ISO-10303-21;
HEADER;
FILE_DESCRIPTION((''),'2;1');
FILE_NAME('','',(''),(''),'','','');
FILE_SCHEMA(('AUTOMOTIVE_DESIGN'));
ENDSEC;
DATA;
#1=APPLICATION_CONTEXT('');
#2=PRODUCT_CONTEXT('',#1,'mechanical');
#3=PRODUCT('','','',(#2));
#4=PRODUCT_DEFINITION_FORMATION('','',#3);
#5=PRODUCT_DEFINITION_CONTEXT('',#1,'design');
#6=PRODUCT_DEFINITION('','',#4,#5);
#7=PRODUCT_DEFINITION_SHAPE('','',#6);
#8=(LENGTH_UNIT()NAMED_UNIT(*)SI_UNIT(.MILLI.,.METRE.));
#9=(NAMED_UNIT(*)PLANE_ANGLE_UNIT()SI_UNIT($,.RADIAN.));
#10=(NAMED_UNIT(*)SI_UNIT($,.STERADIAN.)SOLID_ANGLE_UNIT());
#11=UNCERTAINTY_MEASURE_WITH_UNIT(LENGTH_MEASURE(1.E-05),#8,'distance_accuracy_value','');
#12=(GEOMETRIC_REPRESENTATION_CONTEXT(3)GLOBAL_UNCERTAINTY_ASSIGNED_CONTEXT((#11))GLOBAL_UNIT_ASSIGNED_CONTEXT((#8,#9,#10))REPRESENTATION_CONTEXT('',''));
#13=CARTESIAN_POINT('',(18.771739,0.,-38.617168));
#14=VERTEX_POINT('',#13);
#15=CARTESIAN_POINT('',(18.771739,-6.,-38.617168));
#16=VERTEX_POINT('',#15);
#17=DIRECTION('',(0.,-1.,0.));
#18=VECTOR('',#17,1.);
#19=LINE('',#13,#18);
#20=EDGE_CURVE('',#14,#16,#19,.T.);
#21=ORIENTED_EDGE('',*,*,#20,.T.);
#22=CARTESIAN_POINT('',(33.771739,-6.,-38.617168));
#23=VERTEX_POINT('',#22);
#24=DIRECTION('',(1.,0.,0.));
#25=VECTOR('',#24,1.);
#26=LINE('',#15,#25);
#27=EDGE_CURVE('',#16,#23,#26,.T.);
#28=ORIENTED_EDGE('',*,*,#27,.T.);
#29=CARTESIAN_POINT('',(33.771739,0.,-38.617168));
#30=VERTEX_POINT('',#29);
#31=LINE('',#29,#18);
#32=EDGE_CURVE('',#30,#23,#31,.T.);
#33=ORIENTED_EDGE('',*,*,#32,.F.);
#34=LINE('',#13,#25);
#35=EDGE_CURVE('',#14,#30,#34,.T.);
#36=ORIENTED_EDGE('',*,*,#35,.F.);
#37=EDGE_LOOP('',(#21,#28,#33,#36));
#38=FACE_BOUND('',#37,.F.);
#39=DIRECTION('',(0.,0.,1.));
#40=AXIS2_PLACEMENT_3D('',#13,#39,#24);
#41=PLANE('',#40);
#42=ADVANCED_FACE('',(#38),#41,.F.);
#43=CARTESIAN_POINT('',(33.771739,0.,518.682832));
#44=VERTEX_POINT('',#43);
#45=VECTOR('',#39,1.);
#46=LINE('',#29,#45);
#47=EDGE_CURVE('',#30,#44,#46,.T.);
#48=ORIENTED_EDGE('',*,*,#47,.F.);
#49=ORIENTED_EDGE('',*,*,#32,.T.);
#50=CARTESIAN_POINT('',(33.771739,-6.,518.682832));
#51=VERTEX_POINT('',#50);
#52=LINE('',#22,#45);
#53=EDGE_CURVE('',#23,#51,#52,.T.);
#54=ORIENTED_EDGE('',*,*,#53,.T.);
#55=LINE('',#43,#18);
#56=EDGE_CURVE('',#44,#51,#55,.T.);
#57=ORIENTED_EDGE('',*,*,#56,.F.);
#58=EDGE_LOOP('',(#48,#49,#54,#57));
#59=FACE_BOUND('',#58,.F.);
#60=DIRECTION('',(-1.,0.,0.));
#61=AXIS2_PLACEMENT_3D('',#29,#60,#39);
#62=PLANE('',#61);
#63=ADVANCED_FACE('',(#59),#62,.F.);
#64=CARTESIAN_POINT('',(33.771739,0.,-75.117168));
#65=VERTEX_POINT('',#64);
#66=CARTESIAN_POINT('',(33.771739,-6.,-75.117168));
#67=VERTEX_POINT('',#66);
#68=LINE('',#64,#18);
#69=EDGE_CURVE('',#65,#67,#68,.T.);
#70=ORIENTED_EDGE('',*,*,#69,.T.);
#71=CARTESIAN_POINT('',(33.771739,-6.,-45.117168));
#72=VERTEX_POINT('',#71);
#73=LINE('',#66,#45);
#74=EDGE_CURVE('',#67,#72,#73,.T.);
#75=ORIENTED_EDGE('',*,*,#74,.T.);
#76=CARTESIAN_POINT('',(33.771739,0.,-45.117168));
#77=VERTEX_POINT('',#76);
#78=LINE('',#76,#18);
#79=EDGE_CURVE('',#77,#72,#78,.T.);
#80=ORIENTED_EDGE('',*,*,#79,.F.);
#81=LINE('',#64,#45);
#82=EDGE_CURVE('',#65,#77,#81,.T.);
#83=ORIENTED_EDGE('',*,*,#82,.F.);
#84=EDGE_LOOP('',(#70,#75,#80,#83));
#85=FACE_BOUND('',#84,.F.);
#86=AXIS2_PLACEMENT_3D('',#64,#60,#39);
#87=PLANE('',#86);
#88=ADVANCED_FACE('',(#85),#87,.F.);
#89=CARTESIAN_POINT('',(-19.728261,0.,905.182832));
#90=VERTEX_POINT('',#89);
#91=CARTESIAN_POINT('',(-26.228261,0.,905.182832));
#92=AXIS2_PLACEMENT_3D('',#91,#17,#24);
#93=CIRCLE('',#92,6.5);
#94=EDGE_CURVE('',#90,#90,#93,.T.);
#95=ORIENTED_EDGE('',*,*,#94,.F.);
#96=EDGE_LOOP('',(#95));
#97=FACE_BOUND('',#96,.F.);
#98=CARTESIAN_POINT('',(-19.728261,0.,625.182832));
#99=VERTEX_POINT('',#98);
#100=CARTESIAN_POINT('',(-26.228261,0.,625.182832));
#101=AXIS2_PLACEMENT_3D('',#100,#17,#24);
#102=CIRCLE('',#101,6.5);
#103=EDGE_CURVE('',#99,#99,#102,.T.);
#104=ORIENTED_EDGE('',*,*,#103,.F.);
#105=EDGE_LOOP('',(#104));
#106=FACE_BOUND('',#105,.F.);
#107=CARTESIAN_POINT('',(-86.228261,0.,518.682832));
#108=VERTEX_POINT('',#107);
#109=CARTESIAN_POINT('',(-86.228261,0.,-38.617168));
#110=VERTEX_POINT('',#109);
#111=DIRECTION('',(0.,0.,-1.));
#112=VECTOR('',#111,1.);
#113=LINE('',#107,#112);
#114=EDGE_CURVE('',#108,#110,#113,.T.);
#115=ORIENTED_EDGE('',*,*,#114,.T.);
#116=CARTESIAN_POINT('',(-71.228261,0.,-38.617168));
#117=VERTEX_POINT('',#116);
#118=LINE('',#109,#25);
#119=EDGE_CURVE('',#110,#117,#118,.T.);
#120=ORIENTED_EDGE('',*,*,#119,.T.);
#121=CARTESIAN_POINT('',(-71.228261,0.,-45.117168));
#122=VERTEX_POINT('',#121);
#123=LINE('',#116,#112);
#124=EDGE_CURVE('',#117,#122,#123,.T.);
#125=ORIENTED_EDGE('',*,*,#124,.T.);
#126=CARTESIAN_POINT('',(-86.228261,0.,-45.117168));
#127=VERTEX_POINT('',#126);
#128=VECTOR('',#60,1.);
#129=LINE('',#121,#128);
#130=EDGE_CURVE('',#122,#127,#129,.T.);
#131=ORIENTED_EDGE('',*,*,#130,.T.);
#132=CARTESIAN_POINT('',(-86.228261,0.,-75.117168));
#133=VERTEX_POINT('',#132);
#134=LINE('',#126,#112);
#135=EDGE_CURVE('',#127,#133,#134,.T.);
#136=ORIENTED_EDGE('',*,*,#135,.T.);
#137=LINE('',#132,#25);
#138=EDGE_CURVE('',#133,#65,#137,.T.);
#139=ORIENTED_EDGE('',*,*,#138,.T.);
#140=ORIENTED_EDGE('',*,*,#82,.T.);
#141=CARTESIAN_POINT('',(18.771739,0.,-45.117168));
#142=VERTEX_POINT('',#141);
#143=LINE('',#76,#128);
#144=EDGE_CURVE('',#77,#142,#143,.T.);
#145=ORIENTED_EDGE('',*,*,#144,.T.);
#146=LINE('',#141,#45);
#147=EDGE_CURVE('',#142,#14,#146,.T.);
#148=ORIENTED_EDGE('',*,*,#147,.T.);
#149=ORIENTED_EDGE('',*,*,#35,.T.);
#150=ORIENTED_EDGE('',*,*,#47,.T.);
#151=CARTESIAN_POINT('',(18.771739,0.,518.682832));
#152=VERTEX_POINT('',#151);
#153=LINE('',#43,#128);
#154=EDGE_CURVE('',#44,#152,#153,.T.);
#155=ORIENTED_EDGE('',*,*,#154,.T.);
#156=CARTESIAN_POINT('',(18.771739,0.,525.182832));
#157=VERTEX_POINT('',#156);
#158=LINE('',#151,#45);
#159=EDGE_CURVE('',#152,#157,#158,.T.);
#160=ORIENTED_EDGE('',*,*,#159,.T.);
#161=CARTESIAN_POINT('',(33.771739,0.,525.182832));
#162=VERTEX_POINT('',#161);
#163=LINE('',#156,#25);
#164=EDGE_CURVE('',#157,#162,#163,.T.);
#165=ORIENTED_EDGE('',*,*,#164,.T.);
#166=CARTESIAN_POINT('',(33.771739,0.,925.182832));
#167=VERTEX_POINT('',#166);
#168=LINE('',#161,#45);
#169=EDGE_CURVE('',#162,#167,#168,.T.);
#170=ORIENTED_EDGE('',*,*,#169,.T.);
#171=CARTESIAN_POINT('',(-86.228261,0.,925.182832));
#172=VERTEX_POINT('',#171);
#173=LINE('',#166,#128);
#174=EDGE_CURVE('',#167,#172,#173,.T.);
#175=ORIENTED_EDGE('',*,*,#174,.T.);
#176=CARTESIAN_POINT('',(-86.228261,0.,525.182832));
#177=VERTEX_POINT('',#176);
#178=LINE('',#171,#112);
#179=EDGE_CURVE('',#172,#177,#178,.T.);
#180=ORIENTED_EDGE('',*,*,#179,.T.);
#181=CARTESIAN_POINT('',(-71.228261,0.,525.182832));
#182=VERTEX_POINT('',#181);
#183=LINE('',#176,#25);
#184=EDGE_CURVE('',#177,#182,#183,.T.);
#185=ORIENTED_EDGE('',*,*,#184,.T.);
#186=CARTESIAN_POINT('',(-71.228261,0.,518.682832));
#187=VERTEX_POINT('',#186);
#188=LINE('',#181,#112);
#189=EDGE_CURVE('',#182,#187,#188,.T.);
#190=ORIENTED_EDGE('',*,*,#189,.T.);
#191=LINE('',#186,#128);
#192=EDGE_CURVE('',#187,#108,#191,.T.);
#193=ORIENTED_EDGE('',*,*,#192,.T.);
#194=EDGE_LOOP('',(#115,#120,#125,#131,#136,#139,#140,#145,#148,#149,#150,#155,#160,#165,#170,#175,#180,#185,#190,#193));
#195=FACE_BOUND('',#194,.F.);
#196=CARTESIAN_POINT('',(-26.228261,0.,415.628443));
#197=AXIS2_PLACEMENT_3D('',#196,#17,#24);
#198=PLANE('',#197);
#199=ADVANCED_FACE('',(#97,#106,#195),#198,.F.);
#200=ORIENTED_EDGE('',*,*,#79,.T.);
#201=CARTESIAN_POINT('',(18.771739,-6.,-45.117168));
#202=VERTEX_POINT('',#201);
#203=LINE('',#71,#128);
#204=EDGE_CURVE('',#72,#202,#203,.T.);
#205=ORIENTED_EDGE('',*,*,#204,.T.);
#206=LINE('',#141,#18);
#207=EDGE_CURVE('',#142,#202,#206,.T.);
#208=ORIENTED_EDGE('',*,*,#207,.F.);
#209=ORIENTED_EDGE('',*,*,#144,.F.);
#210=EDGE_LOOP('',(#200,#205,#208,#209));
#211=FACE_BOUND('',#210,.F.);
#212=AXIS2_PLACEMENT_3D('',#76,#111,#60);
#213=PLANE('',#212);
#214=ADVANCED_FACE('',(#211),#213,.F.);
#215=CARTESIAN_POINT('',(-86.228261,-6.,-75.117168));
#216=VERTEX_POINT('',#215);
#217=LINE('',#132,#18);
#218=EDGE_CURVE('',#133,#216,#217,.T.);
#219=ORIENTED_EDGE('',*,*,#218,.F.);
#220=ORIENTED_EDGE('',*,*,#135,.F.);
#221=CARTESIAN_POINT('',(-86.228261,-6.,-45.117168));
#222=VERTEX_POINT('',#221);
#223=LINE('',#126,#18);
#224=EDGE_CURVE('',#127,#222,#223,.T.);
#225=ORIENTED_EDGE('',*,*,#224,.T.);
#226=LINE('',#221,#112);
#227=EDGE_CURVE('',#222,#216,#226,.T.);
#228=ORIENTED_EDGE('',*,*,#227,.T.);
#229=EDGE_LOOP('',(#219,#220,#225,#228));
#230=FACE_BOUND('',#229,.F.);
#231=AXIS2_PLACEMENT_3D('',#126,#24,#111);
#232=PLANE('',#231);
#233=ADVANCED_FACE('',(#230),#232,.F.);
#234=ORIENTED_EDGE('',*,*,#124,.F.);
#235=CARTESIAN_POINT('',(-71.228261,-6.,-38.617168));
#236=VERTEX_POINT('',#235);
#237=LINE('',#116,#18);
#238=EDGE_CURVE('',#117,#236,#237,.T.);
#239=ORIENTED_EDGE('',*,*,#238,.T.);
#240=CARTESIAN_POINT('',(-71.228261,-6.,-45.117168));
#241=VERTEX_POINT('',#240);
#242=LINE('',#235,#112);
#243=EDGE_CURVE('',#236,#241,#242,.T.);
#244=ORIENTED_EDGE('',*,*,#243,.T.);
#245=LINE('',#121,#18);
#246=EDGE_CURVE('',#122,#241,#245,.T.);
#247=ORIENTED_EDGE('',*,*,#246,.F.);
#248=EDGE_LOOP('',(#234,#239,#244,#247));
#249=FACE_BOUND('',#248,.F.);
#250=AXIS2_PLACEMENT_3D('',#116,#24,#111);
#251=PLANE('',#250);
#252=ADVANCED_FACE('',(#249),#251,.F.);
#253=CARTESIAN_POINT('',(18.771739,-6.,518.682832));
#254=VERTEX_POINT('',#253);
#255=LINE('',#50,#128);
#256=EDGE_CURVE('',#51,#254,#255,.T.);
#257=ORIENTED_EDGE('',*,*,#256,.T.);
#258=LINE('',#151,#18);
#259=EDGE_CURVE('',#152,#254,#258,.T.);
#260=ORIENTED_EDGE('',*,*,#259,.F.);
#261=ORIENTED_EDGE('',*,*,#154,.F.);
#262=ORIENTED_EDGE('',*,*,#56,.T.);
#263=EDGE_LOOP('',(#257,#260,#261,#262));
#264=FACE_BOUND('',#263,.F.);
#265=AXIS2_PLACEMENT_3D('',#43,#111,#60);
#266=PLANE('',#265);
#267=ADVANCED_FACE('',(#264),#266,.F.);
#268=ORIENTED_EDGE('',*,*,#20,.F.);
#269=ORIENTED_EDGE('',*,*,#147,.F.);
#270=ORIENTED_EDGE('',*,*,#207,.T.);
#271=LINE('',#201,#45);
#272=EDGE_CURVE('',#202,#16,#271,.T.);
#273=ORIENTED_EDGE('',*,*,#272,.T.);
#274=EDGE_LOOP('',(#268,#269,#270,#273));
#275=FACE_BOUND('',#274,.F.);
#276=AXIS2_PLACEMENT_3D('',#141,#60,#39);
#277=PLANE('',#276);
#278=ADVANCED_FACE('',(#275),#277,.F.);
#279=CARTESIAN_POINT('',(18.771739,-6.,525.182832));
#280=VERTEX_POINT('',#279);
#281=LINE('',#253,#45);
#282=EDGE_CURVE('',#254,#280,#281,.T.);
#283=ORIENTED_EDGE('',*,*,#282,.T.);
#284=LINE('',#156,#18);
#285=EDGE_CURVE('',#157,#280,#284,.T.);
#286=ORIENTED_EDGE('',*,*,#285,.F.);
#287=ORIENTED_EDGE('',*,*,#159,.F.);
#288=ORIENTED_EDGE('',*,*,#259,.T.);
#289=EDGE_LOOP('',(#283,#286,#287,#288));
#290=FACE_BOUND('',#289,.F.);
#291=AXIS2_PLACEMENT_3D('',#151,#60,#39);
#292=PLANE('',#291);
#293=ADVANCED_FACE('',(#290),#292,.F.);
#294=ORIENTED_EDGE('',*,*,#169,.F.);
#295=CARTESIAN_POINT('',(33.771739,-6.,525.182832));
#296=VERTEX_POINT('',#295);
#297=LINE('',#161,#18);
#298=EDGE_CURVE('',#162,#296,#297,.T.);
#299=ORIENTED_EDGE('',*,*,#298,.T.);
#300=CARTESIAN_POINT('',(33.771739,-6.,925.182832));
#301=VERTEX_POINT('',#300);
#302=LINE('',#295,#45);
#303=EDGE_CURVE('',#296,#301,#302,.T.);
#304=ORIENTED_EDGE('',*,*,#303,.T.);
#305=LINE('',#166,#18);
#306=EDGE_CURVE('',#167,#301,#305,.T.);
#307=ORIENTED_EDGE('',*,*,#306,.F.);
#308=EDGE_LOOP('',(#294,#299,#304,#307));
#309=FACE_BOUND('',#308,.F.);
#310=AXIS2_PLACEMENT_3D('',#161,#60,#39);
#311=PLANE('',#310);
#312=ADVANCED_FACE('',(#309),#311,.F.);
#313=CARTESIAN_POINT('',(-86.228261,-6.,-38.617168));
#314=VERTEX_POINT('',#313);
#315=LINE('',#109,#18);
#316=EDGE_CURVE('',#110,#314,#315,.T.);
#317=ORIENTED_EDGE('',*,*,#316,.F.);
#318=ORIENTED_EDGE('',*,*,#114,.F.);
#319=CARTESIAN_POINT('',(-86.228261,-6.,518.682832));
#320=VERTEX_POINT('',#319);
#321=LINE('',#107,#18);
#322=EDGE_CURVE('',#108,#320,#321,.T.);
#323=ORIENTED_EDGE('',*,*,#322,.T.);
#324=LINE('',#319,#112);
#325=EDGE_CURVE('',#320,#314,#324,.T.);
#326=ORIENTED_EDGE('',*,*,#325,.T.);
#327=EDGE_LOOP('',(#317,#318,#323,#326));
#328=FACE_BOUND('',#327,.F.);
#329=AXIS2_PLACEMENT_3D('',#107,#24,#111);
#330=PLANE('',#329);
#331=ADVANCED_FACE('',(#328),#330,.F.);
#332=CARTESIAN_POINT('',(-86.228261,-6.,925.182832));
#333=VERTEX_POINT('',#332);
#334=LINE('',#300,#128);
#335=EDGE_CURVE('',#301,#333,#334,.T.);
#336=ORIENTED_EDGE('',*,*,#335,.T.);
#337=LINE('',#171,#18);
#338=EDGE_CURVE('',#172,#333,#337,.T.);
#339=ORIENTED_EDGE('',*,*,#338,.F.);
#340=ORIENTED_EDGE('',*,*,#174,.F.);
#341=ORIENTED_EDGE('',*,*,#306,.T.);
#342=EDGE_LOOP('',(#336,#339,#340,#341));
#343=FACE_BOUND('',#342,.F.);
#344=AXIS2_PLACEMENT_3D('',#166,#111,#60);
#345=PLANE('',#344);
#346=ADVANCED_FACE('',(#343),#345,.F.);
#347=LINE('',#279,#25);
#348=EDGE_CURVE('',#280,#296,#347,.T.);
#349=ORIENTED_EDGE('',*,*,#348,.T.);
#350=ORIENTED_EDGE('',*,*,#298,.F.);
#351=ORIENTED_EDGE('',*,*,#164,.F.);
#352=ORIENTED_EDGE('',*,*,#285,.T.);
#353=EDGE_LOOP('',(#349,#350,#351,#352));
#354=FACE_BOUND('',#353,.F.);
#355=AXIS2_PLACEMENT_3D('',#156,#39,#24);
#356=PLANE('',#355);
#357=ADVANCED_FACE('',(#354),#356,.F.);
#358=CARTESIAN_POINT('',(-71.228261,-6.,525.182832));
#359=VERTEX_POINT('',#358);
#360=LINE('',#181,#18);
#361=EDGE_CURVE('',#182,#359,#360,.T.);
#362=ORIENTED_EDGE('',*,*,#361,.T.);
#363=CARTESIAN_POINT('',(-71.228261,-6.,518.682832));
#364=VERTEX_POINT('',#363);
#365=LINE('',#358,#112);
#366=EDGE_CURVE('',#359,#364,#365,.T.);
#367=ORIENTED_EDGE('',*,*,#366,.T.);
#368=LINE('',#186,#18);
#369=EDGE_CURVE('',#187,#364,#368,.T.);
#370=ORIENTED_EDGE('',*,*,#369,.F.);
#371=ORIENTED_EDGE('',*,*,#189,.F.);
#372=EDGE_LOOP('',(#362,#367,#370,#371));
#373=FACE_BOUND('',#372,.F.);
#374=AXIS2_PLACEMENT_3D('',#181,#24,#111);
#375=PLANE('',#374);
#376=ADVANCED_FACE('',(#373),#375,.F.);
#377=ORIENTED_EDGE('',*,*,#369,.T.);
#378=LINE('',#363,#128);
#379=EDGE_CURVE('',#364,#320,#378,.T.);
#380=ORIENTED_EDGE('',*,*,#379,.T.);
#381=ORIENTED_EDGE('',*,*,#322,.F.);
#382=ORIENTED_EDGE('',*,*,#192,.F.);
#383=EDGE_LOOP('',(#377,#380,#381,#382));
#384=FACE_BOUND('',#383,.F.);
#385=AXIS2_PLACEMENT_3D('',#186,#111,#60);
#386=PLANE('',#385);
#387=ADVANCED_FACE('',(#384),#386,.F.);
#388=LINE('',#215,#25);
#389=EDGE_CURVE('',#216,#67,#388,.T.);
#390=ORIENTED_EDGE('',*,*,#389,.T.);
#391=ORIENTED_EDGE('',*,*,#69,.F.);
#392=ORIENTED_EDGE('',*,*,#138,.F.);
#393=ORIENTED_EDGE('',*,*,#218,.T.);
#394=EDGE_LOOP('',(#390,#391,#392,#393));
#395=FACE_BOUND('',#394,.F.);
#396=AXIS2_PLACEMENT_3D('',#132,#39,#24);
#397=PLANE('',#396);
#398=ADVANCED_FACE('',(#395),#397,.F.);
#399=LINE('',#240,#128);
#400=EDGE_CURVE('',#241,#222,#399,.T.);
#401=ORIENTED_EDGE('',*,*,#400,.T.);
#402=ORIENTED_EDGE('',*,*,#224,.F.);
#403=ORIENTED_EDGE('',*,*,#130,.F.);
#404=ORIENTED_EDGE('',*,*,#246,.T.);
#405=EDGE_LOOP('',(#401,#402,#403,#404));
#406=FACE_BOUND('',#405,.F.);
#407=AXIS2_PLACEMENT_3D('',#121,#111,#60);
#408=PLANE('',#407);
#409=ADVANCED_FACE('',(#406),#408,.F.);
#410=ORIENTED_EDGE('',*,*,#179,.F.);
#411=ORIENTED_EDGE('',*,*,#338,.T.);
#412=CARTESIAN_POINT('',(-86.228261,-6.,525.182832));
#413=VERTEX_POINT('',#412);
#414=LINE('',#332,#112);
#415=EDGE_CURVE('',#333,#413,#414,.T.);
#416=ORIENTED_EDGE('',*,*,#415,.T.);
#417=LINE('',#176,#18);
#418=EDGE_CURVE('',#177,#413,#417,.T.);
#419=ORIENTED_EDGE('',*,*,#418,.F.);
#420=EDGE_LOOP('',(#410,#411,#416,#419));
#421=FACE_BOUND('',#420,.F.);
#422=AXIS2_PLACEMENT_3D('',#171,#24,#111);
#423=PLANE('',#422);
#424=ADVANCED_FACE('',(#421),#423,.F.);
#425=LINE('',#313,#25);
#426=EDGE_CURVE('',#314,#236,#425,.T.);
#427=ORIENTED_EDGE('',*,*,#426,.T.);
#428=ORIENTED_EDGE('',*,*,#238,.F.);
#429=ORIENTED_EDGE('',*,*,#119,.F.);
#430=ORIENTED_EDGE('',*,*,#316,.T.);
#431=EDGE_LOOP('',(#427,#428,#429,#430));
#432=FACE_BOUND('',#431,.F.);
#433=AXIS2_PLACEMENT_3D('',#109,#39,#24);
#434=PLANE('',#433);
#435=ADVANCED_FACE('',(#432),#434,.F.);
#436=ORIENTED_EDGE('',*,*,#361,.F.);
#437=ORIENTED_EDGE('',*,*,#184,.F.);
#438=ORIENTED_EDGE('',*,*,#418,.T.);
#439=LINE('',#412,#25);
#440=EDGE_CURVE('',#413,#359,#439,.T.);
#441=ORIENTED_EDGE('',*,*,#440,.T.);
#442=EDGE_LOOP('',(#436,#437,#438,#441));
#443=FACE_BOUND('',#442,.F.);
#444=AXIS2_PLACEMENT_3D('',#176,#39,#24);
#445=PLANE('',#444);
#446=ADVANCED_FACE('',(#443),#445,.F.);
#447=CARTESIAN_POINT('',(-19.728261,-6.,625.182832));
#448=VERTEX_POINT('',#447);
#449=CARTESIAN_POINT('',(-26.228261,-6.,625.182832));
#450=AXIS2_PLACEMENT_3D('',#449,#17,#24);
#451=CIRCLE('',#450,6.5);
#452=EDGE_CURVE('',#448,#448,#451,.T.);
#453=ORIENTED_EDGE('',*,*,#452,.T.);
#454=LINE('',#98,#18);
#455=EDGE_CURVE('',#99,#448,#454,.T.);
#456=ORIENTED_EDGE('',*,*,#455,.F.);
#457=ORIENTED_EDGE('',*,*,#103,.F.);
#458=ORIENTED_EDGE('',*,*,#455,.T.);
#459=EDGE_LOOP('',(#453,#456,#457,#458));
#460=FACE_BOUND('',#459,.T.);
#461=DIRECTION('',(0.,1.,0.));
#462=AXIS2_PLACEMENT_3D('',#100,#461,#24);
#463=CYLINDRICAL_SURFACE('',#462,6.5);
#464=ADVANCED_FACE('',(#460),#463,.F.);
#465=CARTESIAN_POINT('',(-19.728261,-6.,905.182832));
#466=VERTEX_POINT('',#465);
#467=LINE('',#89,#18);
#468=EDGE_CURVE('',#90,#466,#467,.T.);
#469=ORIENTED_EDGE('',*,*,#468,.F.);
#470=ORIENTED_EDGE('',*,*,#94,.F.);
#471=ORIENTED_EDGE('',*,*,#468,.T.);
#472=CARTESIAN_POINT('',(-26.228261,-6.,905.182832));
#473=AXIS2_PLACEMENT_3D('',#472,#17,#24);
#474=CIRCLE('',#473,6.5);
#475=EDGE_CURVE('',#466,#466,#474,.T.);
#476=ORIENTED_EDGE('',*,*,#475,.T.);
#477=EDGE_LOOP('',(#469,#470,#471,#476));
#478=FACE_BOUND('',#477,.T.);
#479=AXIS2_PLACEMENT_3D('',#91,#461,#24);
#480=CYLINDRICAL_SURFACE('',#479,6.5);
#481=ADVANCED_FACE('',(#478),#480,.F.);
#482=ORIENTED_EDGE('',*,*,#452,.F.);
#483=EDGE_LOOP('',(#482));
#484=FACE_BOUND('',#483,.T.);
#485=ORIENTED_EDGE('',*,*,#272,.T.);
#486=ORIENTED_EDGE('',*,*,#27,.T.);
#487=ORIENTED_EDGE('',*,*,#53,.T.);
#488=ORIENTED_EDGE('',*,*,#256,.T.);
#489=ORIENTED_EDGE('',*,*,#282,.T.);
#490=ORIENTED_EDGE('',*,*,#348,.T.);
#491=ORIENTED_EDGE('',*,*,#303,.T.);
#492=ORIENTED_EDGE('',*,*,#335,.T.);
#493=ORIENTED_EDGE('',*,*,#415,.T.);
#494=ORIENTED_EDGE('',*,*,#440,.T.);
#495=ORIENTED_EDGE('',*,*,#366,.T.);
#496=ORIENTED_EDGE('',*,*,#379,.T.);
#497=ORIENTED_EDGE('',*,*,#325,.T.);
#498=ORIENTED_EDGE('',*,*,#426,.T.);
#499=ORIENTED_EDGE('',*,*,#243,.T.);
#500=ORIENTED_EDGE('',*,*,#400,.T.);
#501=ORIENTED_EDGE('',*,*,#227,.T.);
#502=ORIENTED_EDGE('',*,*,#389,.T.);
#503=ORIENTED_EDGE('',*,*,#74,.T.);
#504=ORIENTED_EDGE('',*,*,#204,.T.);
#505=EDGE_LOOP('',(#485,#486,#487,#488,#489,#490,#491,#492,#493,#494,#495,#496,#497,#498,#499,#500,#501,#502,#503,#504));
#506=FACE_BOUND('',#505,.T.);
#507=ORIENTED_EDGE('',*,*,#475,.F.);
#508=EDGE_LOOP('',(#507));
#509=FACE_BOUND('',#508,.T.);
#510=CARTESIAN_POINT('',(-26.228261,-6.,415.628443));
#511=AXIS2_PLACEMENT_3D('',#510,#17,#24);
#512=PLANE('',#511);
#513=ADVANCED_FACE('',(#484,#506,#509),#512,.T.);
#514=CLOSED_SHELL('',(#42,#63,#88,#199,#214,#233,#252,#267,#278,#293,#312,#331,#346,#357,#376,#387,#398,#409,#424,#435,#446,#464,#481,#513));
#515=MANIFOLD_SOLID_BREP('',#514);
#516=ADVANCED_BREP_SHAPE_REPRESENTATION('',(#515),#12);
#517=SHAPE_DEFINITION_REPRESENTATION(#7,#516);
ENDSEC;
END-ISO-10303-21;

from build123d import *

# Parameters (mm, degrees)
F0_R     = 6.5
F1_DEPTH = 6


with BuildPart() as f1:
    # F0 (on Front) → F1 (new body)
    with BuildSketch(Plane.XZ):
        Polygon((33.771739, 925.182832), (-86.228261, 925.182832), (-86.228261, 525.182832), (-71.228261, 525.182832), (-71.228261, 518.682832), (-86.228261, 518.682832), (-86.228261, -38.617168), (-71.228261, -38.617168), (-71.228261, -45.117168), (-86.228261, -45.117168), (-86.228261, -75.117168), (33.771739, -75.117168), (33.771739, -45.117168), (18.771739, -45.117168), (18.771739, -38.617168), (33.771739, -38.617168), (33.771739, 518.682832), (18.771739, 518.682832), (18.771739, 525.182832), (33.771739, 525.182832), align=None)
        with Locations((-26.228261, 625.182832)):
            Circle(F0_R, mode=Mode.SUBTRACT)
        with Locations((-26.228261, 905.182832)):
            Circle(F0_R, mode=Mode.SUBTRACT)
    extrude(amount=F1_DEPTH)


solid = f1.part
